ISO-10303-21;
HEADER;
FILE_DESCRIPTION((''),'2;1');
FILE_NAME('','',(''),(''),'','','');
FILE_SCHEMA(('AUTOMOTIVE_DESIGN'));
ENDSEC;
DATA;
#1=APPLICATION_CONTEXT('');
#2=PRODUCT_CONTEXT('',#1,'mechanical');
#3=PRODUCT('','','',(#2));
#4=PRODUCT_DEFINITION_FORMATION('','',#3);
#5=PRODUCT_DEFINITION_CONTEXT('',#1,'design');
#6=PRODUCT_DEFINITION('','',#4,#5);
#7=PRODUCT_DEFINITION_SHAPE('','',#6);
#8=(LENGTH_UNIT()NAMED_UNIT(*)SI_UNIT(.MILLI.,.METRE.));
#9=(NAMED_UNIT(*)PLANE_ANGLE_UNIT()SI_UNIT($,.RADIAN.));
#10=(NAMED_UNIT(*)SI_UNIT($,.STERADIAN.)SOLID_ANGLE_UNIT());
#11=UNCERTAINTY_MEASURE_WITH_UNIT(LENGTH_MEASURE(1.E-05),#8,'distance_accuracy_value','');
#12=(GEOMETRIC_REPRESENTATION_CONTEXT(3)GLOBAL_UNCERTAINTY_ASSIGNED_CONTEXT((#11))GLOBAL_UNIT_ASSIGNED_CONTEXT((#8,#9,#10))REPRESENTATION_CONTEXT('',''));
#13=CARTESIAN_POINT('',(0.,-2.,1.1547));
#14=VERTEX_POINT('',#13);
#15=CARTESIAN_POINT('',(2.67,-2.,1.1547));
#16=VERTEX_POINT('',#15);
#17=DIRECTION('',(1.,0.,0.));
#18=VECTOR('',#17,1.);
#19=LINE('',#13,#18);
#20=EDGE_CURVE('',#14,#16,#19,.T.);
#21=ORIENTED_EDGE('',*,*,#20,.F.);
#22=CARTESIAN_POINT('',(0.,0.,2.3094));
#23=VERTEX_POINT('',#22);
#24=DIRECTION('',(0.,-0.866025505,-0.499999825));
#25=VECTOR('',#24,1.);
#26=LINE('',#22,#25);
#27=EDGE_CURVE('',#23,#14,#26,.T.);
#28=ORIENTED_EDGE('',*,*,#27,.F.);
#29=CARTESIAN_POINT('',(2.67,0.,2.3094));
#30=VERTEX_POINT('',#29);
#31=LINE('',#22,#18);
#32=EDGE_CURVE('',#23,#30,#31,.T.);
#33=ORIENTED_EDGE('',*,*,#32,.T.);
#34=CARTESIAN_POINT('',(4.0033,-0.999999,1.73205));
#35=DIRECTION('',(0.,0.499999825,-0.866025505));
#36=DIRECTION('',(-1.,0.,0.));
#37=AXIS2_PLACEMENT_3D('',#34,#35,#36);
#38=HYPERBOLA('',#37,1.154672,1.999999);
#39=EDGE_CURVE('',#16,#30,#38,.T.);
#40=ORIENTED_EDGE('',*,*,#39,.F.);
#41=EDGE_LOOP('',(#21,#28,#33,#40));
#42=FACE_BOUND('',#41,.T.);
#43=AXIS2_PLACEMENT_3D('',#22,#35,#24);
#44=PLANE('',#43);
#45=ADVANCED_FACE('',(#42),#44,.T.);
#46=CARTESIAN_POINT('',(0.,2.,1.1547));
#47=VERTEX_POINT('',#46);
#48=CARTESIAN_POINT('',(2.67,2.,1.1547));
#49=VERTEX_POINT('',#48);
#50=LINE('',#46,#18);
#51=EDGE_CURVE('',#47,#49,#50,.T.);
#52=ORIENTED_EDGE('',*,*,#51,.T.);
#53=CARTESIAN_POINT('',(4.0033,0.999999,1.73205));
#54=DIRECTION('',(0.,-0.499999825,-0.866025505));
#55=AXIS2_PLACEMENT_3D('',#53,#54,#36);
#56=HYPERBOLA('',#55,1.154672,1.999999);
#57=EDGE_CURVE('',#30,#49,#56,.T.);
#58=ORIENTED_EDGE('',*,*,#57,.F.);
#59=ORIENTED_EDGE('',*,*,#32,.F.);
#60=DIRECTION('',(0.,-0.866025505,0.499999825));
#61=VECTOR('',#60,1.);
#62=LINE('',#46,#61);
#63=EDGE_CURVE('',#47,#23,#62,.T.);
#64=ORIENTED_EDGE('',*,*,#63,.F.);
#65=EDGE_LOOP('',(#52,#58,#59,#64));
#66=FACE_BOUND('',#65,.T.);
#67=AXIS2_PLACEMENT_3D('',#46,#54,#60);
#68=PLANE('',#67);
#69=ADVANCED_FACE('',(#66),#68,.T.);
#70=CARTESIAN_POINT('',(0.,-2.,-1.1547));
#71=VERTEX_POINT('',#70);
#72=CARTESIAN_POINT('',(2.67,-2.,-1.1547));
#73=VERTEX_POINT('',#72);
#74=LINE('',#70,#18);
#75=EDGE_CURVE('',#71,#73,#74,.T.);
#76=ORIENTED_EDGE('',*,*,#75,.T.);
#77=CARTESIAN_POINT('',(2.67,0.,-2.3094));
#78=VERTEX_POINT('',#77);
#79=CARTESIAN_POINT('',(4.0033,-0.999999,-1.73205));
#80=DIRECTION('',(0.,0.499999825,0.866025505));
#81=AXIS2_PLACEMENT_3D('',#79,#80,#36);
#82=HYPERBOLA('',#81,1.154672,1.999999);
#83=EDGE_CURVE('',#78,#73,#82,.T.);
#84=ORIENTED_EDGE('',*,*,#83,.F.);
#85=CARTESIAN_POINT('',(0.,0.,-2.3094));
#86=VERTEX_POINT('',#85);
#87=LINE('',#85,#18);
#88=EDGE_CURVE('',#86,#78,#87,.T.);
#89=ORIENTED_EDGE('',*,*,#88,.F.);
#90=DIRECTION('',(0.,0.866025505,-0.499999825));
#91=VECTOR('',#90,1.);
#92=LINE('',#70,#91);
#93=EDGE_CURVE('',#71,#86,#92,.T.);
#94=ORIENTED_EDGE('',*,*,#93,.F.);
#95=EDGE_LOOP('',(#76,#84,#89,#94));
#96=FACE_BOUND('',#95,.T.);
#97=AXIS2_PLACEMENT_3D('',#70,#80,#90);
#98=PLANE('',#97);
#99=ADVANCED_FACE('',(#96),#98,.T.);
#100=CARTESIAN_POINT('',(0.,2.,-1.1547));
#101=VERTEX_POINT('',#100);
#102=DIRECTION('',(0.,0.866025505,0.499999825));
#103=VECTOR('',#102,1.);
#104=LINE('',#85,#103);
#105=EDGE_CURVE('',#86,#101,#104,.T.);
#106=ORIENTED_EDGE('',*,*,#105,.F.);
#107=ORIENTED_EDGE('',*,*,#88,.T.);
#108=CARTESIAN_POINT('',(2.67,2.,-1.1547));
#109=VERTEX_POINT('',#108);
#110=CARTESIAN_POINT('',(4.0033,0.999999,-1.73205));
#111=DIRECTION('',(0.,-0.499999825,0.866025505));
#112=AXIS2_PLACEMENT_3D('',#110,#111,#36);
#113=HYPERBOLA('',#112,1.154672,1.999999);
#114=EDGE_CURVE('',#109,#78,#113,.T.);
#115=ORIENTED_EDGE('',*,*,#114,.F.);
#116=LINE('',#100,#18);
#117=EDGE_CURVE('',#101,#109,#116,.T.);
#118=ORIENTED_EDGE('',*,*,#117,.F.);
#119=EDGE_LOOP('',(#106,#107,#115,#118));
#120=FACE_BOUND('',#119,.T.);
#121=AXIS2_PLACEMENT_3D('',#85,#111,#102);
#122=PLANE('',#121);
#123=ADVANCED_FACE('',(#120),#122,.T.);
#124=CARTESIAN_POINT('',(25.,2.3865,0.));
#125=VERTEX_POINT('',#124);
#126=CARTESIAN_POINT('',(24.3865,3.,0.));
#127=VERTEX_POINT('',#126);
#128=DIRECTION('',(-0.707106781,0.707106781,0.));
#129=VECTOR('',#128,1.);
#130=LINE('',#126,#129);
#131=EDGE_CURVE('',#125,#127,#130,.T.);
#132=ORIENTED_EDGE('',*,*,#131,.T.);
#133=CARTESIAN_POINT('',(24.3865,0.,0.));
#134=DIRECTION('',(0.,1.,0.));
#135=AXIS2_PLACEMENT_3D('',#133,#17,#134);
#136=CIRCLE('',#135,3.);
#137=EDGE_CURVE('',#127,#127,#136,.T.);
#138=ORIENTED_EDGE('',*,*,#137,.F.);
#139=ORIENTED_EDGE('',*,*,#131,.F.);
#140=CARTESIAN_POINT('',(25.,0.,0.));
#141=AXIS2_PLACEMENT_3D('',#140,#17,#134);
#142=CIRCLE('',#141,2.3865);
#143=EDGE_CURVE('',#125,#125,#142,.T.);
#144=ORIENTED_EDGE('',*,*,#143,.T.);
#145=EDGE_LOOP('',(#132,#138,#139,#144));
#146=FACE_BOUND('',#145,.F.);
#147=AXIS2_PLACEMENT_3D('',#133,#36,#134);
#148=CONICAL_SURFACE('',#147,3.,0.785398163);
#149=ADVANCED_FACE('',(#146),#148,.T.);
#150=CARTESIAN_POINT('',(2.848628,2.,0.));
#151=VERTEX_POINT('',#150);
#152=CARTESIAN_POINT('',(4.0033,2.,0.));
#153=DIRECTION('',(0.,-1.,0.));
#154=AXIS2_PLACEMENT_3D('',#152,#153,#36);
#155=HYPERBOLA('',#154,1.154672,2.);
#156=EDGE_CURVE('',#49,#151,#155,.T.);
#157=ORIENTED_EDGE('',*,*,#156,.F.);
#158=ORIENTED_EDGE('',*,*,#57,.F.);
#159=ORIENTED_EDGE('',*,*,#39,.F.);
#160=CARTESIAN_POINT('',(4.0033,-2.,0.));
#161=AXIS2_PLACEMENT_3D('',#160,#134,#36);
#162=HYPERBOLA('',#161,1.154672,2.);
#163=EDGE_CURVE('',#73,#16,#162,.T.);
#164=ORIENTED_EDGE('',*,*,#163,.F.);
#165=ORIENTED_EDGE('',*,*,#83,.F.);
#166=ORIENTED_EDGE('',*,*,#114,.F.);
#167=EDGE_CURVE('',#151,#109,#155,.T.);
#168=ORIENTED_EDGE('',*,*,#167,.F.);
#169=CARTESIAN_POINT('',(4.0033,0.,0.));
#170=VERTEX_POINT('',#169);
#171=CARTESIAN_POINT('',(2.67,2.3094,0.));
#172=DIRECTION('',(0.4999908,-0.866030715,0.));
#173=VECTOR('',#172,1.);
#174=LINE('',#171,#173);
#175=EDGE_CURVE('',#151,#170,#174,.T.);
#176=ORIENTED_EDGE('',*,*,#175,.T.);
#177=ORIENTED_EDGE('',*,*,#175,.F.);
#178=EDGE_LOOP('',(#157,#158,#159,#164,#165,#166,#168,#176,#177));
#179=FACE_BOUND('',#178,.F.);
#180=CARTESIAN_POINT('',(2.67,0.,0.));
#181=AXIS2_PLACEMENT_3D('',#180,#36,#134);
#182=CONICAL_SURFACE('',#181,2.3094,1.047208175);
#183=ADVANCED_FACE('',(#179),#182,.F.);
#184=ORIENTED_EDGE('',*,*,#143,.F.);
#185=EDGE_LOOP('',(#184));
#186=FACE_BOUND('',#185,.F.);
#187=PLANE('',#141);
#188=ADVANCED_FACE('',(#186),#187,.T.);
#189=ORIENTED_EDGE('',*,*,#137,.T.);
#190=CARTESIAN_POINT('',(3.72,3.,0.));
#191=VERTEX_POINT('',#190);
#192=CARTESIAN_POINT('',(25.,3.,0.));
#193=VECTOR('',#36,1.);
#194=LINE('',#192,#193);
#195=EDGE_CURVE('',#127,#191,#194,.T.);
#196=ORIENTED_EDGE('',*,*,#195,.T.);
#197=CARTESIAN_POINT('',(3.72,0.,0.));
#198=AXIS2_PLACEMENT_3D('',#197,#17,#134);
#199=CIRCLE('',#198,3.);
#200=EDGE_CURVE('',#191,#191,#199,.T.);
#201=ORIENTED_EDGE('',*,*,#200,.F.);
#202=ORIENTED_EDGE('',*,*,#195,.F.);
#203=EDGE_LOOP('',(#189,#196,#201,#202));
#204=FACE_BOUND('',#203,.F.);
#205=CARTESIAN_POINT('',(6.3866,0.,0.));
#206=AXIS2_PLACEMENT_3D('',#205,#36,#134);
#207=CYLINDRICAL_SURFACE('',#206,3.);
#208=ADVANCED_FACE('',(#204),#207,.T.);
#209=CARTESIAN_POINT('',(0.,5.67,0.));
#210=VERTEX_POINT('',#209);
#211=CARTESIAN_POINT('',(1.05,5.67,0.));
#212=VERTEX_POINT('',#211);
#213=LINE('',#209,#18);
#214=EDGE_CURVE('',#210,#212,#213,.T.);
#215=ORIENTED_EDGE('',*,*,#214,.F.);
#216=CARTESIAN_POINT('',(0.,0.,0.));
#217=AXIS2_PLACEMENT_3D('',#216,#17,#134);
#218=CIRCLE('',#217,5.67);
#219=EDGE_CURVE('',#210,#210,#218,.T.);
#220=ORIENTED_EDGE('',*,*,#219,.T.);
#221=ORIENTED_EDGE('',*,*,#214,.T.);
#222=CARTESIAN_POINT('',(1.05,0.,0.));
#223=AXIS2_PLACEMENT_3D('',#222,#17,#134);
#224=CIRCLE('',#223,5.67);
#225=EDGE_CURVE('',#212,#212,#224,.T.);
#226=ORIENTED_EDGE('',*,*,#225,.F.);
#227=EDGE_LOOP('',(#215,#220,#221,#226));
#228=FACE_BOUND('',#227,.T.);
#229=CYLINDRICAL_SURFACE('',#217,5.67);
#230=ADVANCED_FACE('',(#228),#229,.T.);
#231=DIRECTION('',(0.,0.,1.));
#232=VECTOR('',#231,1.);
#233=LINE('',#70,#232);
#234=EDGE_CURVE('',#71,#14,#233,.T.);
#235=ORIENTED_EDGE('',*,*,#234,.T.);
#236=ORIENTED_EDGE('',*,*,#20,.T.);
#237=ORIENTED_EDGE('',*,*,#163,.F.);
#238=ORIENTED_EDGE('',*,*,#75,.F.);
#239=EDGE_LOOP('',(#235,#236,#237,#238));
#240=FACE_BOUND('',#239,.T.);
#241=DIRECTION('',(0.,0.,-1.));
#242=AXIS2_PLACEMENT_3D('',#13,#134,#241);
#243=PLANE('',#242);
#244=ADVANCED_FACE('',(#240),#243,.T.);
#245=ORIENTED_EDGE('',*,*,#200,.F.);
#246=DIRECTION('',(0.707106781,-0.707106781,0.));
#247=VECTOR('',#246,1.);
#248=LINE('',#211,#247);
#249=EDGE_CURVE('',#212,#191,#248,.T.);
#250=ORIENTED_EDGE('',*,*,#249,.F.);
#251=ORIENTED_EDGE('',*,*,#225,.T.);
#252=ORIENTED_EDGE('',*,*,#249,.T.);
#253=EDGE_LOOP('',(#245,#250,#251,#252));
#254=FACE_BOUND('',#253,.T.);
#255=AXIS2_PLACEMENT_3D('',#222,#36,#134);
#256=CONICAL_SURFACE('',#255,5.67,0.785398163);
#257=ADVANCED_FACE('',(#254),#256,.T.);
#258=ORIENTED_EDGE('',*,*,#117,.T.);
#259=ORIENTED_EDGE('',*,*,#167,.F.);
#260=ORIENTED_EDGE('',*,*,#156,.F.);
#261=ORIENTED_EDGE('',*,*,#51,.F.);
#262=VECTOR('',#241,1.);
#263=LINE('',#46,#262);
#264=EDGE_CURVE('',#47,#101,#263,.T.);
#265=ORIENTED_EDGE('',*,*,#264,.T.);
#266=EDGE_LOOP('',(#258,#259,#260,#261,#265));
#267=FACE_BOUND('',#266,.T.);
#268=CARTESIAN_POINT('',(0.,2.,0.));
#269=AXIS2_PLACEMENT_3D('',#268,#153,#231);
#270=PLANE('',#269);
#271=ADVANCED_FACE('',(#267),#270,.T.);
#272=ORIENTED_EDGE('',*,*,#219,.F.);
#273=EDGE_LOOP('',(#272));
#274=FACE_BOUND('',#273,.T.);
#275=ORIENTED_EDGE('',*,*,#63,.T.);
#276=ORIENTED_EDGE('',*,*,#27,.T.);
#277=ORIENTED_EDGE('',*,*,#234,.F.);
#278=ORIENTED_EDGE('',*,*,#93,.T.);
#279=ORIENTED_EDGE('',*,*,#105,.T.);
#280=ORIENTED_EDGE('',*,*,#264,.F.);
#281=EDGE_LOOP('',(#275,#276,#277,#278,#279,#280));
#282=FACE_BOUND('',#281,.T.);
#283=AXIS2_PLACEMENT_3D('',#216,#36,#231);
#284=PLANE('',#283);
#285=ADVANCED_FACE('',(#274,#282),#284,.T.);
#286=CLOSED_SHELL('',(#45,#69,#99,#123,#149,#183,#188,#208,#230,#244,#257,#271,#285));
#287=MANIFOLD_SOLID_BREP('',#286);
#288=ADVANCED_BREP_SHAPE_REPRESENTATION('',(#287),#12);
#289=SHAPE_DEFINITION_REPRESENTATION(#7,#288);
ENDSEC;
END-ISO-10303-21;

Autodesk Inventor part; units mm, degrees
ref_plane "YZ Plane" through (0, 0, 0) normal (1, 0, 0) x (0, 1, 0)
ref_plane "XZ Plane" through (0, 0, 0) normal (0, 1, 0) x (-1, 0, 0)
sketch "Sketch1" plane through (0, 0, 0) normal (0, 0, 1) x (1, 0, 0)
  line L0 (25, 0) -> (25, 3)
  line L1 (25, 3) -> (7, 3)
  line L2 (7, 3) -> (6.3866, 3)
  line L3 (0, 5.67) -> (0, 2.3094)
  line L4 (0, 2.3094) -> (2.67, 2.3094)
  line L5 (2.67, 2.3094) -> (4.0033, 0)
  line L6 (4.0033, 0) -> (25, 0)
  line L7 (0, 5.67) -> (1.05, 5.67)
  line L8 (1.05, 5.67) -> (3.72, 3)
  line L9 (6.3866, 3) -> (3.72, 3)
  line L10 (7, 3) -> (3.72, 3) construction
  line L11 (3.72, 3) -> (3.72, 3)
  line L12 (-5, 0) -> (30, 0) projected
  line L13 (0, -1.134) -> (0, 6.804) projected
  dimension "d0" = 25
  dimension "d1" = 18
  dimension "d2" = 2.67
  dimension "d3" = 6
  dimension "d6" = 3.72
  dimension "d7" = 45
  dimension "d8" = 4.6188
  dimension "d9" = 60
  dimension "d10" = 11.34
  dimension "d11" = 6
  dimension "d12" = 0.6135
revolve "Body" add sketch "Sketch1" angle 360 about axis through (4.0033, 0, 0) along (1, 0, 0) contours L6 L5 L4 L3 L7 L8 L9 L2 L1 L0
sketch "Sketch2" plane through (0, 0, 0) normal (-1, 0, 0) x (0, 0, 1)
  circle A0 centre (0, 0) radius 2.3094 projected
  line L0 (0, -7.938) -> (0, 7.938) projected
  line L1 (-7.938, 0) -> (7.938, 0) projected
  line L2 (2.3094, 0) -> (1.1547, -2)
  line L3 (1.1547, -2) -> (-1.1547, -2)
  line L4 (-1.1547, -2) -> (-2.3094, 0)
  line L5 (-2.3094, 0) -> (-1.1547, 2)
  line L6 (-1.1547, 2) -> (1.1547, 2)
  line L7 (1.1547, 2) -> (2.3094, 0)
  point P0 (0, 2.3094)
extrude "Slot" add sketch "Sketch2" against normal up to next contours L7 A0 | A0 L2 | L6 L0 A0 | A0 L0 L3 | L0 L6 A0 | A0 L3 L0 | L4 A0 | A0 L5
thread "Thread" size "M6x1" designation "M6" class "6g" standard "ISO Metric profile" length 18
chamfer "Chamfer1" distance 0.6135 distance2 0.6135 1 edges at (25, -3, 0) measured on face at (25, -0.1411, -0.823)
ref_plane "Work Plane1" through (104.775, 0, 0) normal (0, 0, -1) x (1, 0, 0)
equation "\"d15\" = GEL"
equation "\"d17\" = -0.5 * SPD + 0.5 * GD"
equation "\"d18\" = GUL"
equation "\"d0\" = NLG"
equation "\"d1\" = GEL"
equation "\"d2\" = INTI"
equation "\"d3\" = GD"
equation "\"d6\" = KOH"
equation "\"d7\" = 0.5 * SEWI"
equation "\"d8\" = 1.1547 * SW"
equation "\"d10\" = KOD"
equation "\"d11\" = BDM"
equation "\"d12\" = GAL"
equation "\"NLG\" = 25"
equation "\"INTI\" = 2.67"
equation "\"GEL\" = 18"
equation "\"GAL\" = 0.61345 * PTC"
equation "\"KOH\" = 3.72"
equation "\"KOD\" = 11.34"
equation "\"GUL\" = 0.61345 * PTC"
equation "\"SPD\" = NND - 1.2269 * PTC"
equation "\"BDM\" = NND"
equation "\"GD\" = NND"
equation "\"SEWI\" = 90deg"
equation "\"SW\" = 4"
equation "\"TOA\" = 30deg"
equation "\"GD1\" = THREADDIA - 1.2269 * PTC"
equation "\"EPV\" = 6.72"
equation "\"THREADDIA\" = 6"
equation "\"PTC\" = 1"
equation "\"NND\" = 6"
equation "\"E0\" = 4.62"
equation "\"THREADDESC\" = 1.2345"
properties part number "ISO 10642 - M6 x  25" material "Steel"
